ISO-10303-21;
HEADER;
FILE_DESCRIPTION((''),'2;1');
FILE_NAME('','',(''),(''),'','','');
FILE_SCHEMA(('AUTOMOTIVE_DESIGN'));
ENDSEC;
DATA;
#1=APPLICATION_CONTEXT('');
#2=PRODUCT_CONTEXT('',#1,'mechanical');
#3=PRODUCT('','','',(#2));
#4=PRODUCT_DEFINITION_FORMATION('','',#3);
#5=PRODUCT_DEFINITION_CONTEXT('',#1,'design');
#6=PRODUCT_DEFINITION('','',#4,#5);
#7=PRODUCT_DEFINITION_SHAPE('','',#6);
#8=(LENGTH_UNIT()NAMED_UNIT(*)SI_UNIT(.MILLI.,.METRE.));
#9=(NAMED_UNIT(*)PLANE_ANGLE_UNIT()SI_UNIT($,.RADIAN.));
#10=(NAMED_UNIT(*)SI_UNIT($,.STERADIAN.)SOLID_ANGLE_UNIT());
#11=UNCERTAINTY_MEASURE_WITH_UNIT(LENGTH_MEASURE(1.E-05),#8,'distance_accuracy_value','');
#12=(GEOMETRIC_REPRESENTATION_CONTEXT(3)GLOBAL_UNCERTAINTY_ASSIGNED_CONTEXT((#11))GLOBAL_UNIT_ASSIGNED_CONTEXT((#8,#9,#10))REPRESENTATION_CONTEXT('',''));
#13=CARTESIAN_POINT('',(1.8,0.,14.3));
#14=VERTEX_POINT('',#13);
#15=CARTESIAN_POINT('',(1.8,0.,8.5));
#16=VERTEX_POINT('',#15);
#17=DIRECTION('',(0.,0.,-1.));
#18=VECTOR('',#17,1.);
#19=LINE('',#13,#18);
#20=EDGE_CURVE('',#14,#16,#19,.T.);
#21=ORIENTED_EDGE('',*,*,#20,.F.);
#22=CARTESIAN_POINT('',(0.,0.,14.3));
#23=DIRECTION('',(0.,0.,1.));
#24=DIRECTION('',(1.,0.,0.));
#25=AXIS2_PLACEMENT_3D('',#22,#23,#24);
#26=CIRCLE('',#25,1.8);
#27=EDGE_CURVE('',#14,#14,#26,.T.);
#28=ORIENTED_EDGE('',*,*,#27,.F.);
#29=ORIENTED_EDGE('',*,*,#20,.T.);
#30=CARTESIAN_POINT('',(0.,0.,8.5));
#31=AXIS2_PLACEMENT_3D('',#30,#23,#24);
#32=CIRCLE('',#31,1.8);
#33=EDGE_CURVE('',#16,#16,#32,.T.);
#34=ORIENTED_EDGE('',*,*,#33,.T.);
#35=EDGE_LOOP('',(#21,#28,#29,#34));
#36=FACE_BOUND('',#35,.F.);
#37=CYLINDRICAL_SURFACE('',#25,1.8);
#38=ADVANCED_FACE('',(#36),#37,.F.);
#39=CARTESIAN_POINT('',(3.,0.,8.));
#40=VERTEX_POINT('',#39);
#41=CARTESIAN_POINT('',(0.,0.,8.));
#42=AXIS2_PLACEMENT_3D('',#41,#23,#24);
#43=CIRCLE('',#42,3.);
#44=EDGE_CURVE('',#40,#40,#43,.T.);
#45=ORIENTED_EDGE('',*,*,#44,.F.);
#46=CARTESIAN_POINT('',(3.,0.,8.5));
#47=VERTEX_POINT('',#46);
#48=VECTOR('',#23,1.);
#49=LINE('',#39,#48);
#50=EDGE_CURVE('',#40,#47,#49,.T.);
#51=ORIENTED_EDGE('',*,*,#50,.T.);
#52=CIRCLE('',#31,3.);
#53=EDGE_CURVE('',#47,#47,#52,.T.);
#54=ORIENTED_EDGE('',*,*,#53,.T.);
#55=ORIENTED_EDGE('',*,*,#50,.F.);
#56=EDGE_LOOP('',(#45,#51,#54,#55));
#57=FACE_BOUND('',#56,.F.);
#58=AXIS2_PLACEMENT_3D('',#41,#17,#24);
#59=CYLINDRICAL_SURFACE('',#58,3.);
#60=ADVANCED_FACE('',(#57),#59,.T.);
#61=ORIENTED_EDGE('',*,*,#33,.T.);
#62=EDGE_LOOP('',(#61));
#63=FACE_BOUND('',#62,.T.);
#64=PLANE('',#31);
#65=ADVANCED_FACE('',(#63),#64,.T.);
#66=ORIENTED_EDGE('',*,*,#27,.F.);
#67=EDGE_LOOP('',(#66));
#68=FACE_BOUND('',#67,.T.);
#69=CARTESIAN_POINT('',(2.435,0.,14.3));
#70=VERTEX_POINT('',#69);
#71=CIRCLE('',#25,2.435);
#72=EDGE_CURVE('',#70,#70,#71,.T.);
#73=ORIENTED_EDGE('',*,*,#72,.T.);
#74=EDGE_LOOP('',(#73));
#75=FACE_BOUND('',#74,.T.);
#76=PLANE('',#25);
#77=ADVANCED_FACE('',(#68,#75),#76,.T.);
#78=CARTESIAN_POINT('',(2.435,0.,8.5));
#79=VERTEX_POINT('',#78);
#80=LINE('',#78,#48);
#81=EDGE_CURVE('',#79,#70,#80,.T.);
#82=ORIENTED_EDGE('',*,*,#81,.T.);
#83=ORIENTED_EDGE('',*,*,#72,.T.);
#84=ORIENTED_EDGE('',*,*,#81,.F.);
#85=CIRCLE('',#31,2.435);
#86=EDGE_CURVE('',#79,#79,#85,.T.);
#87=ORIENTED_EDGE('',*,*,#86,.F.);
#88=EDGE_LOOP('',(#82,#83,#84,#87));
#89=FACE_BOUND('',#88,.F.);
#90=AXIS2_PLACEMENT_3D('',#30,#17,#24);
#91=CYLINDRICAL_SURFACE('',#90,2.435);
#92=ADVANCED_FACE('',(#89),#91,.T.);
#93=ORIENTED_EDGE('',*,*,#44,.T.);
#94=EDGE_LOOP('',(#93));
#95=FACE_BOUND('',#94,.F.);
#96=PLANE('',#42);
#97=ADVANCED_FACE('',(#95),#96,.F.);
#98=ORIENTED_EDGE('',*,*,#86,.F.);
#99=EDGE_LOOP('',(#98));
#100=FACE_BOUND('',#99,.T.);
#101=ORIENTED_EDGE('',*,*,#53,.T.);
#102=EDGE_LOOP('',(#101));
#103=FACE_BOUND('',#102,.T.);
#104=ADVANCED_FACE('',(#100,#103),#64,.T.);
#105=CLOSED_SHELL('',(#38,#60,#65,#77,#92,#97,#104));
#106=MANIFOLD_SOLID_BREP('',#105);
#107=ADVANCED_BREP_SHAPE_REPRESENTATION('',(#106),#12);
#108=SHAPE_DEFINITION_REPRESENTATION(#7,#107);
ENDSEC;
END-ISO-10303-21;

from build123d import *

# Parameters (mm, degrees)
SKETCH_R     = 3
PAD_DEPTH    = 0.5
SKETCH001_R  = 2.435
PAD001_DEPTH = 5.8
SKETCH002_R  = 1.8
POCKET_DEPTH = 5.8


with BuildPart() as part:
    # Sketch (on Face1 of CopyBox) → Pad (new body)
    with BuildSketch(Plane.XY.offset(8)):
        Circle(SKETCH_R)
    extrude(amount=PAD_DEPTH)

    # Sketch001 (on Face3 of Pad) → Pad001 (join)
    with BuildSketch(Plane.XY.offset(8.5)):
        Circle(SKETCH001_R)
    extrude(amount=PAD001_DEPTH)

    # Sketch002 (on Face5 of Pad001) → Pocket (cut)
    with BuildSketch(Plane.XY.offset(14.3)):
        Circle(SKETCH002_R)
    extrude(amount=-POCKET_DEPTH, mode=Mode.SUBTRACT)


solid = part.part
